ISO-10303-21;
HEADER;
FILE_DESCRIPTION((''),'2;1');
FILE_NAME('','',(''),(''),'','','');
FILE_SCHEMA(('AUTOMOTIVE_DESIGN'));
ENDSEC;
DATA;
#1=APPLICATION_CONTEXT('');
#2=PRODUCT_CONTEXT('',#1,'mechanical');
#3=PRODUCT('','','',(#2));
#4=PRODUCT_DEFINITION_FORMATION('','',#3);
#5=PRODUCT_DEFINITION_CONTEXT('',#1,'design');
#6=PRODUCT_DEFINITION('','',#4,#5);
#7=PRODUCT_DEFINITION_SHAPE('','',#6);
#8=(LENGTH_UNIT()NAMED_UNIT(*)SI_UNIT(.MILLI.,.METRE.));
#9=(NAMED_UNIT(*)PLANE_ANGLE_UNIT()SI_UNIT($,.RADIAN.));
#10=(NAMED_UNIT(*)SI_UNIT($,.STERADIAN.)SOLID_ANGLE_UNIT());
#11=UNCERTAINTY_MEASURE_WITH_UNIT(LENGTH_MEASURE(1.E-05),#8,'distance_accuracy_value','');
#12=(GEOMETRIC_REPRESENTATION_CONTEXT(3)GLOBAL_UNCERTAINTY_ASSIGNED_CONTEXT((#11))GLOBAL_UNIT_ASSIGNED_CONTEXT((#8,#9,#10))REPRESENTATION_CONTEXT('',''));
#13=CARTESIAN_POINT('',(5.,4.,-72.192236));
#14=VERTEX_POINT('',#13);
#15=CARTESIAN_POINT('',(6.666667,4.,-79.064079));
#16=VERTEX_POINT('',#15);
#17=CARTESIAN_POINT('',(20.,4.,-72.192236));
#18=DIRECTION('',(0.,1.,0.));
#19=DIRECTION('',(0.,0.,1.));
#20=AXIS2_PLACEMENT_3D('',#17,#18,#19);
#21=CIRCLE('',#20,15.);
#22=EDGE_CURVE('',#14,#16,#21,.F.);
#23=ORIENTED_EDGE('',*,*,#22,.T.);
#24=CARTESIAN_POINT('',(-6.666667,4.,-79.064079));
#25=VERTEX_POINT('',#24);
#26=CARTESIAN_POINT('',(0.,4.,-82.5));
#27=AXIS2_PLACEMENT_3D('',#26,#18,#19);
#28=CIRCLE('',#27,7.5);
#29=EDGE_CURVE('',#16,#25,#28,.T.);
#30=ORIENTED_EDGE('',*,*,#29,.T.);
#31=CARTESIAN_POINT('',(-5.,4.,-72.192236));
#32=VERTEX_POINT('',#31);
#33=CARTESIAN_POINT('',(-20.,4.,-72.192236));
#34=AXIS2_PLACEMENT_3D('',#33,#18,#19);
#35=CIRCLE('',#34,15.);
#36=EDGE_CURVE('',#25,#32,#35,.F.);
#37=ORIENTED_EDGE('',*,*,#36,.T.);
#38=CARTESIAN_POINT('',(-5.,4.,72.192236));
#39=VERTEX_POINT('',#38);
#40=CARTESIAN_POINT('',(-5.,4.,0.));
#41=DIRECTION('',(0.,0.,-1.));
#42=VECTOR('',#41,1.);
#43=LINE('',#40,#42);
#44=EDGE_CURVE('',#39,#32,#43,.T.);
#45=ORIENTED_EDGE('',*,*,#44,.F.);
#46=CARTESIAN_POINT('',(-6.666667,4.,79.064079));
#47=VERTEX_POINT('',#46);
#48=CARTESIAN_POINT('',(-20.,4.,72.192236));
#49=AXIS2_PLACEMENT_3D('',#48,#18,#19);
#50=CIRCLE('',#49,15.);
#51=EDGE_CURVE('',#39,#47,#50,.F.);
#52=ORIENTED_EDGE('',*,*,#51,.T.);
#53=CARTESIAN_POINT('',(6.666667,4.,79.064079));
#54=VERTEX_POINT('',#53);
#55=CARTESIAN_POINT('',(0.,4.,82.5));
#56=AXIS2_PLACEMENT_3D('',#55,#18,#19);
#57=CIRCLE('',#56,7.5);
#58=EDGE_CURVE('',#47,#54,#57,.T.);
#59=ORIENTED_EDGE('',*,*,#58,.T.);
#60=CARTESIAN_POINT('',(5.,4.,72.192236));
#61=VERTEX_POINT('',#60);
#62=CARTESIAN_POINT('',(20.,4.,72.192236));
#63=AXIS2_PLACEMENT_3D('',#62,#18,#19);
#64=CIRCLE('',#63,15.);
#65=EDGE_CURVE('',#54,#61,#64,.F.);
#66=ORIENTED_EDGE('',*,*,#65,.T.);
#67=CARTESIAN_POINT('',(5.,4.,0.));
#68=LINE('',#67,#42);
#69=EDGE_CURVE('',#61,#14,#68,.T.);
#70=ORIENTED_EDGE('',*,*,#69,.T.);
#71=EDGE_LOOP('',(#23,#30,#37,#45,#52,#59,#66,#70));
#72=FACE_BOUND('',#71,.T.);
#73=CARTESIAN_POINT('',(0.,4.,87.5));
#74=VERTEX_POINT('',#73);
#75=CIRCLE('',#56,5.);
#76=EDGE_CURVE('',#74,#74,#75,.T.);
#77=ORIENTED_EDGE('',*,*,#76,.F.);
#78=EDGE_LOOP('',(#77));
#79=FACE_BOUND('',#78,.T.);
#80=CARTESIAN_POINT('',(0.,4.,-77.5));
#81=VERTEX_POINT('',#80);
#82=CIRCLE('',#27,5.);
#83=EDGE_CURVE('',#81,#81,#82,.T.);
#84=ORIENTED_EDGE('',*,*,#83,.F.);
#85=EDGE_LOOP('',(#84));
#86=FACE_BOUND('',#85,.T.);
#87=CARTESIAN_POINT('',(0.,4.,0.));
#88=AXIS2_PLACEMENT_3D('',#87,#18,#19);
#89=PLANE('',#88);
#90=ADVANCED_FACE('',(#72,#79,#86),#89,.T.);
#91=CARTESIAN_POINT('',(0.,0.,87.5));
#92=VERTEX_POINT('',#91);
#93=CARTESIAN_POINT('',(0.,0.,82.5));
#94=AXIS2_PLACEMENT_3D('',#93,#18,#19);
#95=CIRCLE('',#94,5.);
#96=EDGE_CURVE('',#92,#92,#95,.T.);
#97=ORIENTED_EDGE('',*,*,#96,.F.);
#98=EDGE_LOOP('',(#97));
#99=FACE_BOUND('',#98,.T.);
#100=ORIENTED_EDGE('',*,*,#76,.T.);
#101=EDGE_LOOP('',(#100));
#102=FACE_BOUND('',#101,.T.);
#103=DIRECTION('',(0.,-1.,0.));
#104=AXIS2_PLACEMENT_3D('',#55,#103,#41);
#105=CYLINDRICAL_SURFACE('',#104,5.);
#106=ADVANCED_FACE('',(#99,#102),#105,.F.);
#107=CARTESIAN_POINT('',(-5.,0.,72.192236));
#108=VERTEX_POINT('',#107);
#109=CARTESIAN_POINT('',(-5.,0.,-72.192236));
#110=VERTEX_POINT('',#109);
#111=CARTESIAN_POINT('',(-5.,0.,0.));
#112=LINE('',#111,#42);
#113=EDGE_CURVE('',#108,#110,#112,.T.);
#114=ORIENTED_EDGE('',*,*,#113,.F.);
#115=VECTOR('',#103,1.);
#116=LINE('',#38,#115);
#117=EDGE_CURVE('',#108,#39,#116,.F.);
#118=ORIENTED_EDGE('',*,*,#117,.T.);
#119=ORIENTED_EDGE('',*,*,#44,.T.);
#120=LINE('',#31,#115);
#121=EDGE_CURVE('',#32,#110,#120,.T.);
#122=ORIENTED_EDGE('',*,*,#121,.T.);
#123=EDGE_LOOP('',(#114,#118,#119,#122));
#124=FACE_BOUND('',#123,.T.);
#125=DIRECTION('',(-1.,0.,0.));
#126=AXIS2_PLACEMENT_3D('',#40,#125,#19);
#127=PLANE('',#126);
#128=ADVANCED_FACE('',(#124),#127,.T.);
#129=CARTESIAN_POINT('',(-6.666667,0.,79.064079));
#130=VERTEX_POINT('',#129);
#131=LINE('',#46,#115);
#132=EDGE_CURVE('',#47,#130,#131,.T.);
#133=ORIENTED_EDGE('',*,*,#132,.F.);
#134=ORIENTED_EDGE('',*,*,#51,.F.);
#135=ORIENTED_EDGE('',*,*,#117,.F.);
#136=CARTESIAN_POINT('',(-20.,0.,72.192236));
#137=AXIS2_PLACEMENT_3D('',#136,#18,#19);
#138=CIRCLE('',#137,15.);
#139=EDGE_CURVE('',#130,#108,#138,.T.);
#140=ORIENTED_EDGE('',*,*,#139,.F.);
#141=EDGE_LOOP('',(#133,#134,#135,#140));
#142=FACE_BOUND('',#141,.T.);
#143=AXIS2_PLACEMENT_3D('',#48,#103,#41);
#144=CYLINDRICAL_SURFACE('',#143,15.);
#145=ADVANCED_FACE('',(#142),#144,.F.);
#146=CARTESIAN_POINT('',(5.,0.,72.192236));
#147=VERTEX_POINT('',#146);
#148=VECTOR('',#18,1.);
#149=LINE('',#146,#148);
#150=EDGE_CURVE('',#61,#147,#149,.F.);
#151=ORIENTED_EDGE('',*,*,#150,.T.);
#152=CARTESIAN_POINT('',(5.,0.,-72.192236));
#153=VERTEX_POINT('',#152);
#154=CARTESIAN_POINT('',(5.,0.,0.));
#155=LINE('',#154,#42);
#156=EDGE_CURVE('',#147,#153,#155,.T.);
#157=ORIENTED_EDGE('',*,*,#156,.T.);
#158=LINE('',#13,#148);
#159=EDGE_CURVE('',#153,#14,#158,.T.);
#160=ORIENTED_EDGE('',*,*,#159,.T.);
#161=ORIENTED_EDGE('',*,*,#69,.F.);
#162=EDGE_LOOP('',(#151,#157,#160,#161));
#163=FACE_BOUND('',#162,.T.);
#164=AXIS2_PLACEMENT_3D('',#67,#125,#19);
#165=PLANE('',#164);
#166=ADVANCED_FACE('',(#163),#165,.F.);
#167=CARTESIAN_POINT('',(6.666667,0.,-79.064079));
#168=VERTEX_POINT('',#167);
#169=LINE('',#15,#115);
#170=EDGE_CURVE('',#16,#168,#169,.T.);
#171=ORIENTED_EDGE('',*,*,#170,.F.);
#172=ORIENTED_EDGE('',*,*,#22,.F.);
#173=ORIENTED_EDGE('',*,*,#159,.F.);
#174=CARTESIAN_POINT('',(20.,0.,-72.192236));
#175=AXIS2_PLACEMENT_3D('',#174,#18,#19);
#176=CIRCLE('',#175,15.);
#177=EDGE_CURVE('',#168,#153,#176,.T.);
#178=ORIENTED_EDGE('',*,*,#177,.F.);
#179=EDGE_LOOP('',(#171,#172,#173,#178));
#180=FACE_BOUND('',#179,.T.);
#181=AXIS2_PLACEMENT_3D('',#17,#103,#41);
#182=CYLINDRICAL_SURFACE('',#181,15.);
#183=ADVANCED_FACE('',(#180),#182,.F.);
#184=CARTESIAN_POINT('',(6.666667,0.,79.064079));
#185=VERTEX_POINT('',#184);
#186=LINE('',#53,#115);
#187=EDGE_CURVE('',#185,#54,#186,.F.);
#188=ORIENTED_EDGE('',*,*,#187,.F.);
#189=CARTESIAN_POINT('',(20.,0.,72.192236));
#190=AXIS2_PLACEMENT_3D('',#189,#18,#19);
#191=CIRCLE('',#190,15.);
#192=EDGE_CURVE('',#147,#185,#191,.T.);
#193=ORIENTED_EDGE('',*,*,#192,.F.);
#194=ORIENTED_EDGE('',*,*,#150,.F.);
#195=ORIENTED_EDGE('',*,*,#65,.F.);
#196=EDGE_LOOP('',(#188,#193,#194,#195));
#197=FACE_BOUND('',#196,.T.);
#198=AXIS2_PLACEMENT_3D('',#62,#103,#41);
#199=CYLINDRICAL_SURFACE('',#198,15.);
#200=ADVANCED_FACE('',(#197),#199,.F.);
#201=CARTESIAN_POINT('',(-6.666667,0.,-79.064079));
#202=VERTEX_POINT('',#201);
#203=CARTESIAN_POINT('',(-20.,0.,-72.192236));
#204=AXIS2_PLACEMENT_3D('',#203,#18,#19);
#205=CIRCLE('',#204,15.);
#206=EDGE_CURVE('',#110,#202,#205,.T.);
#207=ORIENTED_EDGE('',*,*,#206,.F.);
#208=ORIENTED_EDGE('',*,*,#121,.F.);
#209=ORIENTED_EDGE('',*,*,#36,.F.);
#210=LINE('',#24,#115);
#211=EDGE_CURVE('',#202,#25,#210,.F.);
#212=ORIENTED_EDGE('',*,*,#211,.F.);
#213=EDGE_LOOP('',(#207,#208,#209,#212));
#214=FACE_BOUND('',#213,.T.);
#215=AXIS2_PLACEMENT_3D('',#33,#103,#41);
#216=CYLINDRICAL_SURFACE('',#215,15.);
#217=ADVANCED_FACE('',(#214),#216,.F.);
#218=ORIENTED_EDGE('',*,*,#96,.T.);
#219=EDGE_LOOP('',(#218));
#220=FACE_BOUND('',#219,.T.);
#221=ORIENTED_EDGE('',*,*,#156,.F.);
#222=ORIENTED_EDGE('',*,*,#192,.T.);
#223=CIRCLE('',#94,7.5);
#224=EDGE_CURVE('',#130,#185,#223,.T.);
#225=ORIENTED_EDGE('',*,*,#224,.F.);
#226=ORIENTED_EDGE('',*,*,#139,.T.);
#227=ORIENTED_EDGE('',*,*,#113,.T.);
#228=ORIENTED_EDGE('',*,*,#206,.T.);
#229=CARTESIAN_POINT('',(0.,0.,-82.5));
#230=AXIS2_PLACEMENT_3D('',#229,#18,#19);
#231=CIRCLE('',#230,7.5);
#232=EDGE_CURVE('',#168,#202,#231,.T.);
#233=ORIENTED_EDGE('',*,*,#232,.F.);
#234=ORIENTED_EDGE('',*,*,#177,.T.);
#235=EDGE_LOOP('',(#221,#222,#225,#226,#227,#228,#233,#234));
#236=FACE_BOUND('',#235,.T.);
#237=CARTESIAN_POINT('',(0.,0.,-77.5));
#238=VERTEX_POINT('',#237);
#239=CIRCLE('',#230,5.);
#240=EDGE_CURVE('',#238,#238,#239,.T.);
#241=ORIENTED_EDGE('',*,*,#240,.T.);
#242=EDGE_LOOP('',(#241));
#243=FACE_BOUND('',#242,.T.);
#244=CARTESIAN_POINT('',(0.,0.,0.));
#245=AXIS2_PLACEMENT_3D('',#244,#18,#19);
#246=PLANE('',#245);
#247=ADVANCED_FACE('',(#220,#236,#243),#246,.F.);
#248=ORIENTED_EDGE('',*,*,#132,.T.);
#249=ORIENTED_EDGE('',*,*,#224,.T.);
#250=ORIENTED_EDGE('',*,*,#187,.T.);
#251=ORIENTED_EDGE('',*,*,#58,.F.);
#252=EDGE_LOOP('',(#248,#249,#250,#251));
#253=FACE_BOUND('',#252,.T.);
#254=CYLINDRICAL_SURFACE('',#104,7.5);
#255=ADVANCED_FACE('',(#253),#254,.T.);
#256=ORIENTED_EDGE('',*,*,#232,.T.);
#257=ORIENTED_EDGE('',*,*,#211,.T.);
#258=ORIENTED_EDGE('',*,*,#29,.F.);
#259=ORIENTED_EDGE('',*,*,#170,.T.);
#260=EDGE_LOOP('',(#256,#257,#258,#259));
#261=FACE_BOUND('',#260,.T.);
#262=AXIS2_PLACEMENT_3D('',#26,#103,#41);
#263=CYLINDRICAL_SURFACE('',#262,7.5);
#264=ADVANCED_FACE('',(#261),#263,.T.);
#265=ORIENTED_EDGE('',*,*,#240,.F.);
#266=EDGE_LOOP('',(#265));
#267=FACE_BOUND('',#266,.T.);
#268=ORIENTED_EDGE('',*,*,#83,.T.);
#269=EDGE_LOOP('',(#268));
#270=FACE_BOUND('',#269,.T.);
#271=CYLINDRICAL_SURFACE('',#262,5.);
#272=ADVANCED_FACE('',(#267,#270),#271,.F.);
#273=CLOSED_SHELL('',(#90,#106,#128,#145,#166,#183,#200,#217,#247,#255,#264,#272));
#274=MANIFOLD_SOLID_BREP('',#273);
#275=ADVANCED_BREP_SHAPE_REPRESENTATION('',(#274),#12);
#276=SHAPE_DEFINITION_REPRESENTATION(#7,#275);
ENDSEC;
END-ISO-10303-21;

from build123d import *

# Parameters (mm, degrees)
SKETCH1_R           = 5
BOSS_EXTRUDE1_DEPTH = 4
FILLET1_R           = 15


with BuildPart() as part:
    # Sketch1 → Boss-Extrude1 (new body)
    with BuildSketch(Plane(origin=(0, 0, 0), x_dir=(1, 0, 0), z_dir=(0, 1, 0))):
        with BuildLine():
            ThreePointArc((-5, -76.909830056), (0, -90), (5, -76.909830056))
            Line((5, -76.909830056), (5, 76.909830056))
            ThreePointArc((5, 76.909830056), (0, 90), (-5, 76.909830056))
            Line((-5, 76.909830056), (-5, -76.909830056))
        make_face()
        with Locations(Location((0, -82.5, 0), (0, 0, 270))):
            Circle(SKETCH1_R, mode=Mode.SUBTRACT)
        with Locations(Location((0, 82.5, 0), (0, 0, 270))):
            Circle(SKETCH1_R, mode=Mode.SUBTRACT)
    extrude(amount=BOSS_EXTRUDE1_DEPTH)

    # Fillet1
    fillet1_edges = [part.edges().sort_by_distance(p)[0] for p in [
        (-5, 2, 76.909830056),
        (-5, 2, -76.909830056),
        (5, 2, -76.909830056),
        (5, 2, 76.909830056),
    ]]
    fillet(fillet1_edges, radius=FILLET1_R)


solid = part.part
